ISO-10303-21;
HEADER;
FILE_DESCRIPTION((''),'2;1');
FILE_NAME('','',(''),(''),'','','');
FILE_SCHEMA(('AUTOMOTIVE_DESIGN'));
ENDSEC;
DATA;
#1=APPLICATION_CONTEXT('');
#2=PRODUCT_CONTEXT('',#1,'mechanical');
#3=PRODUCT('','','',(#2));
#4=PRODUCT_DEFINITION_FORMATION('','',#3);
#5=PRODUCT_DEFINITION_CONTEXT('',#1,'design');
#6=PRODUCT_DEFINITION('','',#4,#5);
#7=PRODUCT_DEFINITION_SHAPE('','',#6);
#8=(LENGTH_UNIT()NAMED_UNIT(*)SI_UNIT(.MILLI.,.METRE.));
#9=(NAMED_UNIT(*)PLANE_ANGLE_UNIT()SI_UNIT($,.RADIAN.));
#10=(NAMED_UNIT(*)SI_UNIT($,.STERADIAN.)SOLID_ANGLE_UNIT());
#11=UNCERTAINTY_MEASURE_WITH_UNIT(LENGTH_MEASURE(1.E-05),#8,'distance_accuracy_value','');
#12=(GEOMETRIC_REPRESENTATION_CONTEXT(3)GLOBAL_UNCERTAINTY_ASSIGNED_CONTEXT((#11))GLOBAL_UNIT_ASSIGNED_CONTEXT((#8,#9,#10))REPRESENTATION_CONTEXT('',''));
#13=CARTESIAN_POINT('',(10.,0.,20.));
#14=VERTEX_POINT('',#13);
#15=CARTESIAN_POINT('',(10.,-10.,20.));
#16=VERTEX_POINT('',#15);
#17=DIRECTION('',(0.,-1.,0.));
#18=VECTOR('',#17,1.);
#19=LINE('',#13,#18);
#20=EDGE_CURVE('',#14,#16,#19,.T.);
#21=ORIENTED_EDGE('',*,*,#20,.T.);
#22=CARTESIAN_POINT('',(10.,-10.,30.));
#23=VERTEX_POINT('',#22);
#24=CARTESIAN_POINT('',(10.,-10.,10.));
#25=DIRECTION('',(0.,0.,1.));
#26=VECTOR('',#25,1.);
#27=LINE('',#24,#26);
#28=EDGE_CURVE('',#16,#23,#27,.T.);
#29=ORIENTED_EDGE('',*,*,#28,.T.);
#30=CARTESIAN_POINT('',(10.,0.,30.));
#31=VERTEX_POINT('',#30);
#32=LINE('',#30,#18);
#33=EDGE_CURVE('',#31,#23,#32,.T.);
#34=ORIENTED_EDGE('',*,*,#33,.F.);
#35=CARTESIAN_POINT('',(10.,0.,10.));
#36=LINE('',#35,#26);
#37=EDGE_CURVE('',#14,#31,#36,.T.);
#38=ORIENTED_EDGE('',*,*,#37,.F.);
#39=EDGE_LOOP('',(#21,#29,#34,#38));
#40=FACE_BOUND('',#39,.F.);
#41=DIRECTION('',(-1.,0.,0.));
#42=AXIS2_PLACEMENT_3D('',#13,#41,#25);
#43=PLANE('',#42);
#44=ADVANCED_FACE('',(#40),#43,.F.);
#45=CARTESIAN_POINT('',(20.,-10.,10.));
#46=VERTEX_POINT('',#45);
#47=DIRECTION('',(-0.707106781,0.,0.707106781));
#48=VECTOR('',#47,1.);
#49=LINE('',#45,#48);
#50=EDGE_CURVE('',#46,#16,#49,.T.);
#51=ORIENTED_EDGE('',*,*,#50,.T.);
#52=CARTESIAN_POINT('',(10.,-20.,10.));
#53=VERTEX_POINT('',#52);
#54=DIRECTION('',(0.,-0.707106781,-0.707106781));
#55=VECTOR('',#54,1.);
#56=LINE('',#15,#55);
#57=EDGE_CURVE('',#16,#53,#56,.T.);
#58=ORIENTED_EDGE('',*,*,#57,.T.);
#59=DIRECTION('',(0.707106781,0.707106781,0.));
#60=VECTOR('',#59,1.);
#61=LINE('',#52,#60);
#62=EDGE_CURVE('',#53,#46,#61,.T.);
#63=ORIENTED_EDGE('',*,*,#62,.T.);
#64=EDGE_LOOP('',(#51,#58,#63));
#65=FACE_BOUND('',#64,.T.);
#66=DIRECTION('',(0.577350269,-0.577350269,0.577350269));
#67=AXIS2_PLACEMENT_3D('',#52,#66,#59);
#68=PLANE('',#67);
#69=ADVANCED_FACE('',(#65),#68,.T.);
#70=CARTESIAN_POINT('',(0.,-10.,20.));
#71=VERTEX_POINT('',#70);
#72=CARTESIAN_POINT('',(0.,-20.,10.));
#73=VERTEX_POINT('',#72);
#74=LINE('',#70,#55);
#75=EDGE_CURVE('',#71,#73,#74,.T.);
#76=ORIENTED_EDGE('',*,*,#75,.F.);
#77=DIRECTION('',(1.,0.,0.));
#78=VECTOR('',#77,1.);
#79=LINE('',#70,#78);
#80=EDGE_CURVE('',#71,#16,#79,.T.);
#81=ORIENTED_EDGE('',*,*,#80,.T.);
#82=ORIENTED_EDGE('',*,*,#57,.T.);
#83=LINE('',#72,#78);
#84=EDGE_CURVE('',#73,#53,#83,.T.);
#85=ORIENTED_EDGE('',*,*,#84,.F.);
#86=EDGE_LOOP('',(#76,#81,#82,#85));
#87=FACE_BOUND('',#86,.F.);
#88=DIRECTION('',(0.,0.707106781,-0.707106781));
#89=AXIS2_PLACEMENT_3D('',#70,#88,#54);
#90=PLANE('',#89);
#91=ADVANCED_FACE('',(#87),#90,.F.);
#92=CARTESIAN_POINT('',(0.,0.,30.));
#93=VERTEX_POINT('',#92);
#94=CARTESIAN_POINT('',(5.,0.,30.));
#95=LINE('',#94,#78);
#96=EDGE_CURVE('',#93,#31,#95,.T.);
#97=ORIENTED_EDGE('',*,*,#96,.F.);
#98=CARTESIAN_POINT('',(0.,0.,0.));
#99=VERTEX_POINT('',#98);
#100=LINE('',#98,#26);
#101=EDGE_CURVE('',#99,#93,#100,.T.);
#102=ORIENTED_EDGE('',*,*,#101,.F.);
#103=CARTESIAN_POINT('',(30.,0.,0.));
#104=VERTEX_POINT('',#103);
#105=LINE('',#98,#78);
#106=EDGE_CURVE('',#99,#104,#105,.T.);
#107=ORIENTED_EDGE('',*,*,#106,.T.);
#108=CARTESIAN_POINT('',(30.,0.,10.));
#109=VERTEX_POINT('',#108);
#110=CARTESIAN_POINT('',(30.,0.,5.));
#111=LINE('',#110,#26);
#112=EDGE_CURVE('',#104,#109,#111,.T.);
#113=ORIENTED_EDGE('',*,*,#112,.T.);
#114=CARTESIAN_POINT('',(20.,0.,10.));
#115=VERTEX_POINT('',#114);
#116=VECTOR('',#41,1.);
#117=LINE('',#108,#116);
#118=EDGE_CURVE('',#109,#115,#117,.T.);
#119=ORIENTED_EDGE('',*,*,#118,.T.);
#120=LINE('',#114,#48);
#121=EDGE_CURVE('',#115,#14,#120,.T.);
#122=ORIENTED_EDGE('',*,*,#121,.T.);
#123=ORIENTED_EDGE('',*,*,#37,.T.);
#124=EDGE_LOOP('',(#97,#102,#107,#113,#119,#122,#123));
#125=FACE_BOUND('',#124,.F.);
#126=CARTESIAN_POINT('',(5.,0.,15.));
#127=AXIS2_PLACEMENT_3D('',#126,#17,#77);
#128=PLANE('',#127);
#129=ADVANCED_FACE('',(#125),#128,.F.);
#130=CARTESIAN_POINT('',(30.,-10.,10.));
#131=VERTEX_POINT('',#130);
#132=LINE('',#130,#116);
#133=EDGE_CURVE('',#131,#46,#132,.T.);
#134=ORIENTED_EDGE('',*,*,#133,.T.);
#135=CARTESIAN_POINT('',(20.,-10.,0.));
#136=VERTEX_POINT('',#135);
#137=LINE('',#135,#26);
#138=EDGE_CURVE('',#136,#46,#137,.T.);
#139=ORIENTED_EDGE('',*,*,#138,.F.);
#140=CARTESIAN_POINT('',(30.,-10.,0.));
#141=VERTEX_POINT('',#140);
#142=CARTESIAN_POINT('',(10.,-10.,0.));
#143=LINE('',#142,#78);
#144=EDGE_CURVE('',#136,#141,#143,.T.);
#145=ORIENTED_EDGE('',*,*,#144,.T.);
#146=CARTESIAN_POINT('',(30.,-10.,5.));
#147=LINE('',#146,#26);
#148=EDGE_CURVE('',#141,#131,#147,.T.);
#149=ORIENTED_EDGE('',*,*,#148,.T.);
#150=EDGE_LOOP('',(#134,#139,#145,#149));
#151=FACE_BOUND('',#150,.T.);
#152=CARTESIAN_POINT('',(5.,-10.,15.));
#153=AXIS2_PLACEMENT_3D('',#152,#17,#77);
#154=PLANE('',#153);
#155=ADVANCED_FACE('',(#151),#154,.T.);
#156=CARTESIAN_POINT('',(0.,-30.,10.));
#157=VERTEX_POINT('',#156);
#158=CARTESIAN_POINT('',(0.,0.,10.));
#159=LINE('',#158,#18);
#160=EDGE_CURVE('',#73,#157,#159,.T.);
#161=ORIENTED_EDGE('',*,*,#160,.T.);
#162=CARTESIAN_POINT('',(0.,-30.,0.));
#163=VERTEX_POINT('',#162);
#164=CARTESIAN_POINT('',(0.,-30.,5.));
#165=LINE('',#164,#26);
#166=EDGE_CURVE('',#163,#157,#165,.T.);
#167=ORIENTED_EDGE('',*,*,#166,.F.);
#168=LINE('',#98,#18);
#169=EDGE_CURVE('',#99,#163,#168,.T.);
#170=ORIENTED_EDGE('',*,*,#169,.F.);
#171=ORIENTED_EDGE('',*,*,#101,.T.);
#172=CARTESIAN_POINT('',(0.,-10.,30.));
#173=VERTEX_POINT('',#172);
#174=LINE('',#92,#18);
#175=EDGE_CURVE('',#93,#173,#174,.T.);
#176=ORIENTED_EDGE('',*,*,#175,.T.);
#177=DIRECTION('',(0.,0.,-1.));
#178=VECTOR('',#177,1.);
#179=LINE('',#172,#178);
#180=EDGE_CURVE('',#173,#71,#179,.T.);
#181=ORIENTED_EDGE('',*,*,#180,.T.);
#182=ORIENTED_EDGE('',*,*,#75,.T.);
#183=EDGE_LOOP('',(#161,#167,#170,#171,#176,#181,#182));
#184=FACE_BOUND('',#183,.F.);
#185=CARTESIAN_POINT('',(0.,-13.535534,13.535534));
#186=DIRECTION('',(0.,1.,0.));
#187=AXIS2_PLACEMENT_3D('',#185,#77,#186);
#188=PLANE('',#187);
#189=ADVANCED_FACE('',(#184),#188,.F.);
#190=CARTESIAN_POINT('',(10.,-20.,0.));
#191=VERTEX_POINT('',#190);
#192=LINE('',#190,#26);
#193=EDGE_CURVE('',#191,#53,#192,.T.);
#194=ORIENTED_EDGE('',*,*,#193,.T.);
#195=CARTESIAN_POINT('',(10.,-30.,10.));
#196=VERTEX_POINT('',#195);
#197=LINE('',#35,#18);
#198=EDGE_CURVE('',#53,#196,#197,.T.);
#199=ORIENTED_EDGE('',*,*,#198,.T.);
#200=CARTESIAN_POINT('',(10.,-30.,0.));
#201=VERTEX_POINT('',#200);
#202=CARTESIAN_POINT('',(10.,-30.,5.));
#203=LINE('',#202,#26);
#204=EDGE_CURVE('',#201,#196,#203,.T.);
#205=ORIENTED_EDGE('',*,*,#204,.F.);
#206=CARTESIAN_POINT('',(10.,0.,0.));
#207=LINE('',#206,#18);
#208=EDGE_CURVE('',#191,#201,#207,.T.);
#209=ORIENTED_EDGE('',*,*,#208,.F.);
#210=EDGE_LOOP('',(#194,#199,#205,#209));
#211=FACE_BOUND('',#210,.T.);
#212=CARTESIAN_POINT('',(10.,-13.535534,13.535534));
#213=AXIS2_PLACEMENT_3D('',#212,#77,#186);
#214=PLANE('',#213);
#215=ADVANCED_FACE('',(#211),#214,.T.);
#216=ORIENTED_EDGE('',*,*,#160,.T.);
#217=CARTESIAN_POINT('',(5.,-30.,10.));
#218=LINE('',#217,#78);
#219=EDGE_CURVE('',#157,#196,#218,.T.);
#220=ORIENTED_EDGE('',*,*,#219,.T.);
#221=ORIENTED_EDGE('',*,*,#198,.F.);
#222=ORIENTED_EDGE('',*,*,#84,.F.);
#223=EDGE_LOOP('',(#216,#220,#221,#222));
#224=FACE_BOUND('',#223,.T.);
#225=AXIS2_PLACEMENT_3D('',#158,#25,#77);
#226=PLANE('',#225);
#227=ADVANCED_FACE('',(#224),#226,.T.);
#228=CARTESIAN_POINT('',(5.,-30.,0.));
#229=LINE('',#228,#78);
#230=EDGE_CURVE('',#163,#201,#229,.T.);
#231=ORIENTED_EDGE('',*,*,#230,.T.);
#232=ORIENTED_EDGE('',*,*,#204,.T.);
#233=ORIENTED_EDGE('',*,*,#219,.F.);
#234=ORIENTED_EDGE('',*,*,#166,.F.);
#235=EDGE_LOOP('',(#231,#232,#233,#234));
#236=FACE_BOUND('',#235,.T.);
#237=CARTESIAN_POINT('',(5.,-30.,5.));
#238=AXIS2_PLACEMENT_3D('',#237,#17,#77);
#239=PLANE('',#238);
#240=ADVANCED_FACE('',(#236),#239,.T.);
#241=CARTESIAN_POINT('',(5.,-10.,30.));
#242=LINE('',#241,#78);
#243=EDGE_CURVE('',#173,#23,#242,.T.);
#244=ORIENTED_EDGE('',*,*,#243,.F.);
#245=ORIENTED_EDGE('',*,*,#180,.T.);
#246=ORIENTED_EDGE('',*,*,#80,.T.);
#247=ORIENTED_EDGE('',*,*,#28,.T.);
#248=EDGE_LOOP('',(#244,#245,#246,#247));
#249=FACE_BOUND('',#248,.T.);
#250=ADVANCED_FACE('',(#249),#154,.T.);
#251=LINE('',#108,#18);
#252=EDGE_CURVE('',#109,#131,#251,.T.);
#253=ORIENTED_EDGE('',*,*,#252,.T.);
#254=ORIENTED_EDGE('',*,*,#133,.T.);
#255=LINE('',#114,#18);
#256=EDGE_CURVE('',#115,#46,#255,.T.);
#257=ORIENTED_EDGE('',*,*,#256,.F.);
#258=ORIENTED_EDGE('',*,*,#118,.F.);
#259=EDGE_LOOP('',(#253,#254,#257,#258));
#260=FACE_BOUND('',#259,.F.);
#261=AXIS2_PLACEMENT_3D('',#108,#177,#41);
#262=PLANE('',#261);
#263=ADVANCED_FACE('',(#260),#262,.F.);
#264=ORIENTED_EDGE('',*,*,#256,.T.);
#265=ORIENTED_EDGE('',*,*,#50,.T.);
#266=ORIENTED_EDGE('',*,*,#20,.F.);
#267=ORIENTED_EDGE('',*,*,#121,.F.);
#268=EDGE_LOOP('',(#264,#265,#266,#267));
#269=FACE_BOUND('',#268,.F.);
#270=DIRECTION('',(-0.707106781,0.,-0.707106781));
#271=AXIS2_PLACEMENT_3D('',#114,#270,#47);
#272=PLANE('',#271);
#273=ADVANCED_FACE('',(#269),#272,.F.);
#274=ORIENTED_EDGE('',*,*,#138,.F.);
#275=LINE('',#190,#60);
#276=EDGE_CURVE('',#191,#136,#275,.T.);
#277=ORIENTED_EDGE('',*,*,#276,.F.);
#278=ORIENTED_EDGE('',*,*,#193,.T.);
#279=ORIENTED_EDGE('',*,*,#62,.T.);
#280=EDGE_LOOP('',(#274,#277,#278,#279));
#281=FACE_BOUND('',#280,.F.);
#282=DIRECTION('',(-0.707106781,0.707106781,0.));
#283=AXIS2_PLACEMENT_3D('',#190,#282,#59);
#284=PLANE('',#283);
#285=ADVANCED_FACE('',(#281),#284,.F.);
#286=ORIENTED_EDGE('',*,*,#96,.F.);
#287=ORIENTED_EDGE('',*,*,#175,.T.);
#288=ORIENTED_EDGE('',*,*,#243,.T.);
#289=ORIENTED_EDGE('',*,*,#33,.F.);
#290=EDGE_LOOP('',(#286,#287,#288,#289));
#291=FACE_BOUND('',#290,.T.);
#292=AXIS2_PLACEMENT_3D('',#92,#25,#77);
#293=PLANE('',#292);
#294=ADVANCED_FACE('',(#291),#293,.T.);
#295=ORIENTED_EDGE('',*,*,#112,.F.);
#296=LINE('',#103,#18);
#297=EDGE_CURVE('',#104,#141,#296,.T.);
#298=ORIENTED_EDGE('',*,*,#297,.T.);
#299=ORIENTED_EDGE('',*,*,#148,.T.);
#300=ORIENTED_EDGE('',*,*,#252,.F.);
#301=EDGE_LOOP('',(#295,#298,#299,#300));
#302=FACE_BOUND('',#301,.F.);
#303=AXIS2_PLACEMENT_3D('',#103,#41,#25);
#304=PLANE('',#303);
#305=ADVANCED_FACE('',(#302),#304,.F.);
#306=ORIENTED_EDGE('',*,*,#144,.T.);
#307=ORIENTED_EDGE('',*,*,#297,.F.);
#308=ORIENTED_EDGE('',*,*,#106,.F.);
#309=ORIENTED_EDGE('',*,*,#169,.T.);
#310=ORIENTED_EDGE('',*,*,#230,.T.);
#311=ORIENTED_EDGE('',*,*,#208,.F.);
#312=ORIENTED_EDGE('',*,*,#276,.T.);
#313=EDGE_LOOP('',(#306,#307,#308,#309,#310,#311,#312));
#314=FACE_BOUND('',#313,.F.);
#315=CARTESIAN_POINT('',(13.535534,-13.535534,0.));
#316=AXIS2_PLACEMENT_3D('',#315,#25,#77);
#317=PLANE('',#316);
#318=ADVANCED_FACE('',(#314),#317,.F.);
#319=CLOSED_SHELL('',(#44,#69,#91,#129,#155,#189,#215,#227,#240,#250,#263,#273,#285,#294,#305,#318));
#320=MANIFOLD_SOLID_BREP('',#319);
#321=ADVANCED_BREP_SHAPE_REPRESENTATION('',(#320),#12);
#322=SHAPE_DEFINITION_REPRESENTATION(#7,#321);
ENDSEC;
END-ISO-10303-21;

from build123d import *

# Parameters (mm, degrees)
F0_W     = 10
F0_H     = 10
F1_DEPTH = 30
F2_DEPTH = 10
F4_DEPTH = 10
F6_DEPTH = 10


with BuildPart() as f1:
    # F0 (on Front) → F1 (new body)
    with BuildSketch(Plane.XZ):
        with Locations((5, 5)):
            Rectangle(F0_W, F0_H)
    extrude(amount=F1_DEPTH)

    # F0 (on Front) → F2 (join)
    with BuildSketch(Plane.XZ):
        with Locations((5, 15)):
            Rectangle(F0_W, F0_H)
        with Locations((5, 25)):
            Rectangle(F0_W, F0_H)
        with Locations((15, 5)):
            Rectangle(F0_W, F0_H)
        with Locations((25, 5)):
            Rectangle(F0_W, F0_H)
        Polygon((10, 20), (10, 10), (20, 10), align=None)
    extrude(amount=F2_DEPTH)

    # F3 (on Right) → F4 (join)
    with BuildSketch(Plane.YZ):
        Polygon((-10, 10), (-10, 20), (-20, 10), align=None)
    extrude(amount=F4_DEPTH)

    # F5 (on Top) → F6 (join)
    with BuildSketch(Plane.XY):
        Polygon((10, -10), (10, -20), (20, -10), align=None)
    extrude(amount=F6_DEPTH)

    # F6_face (on face) → F7 section 0
    with BuildSketch(Plane(origin=(13.3333333333, -13.3333333333, 10), x_dir=(1, 0, 0), z_dir=(0, 0, 1)), mode=Mode.PRIVATE) as f7_s0:
        Polygon((-3.3333333333, 3.3333333333), (-3.3333333333, -6.6666666667), (6.6666666667, 3.3333333333), align=None)
    loft([f7_s0.sketch, Vertex(10, -10, 20)])


solid = f1.part
